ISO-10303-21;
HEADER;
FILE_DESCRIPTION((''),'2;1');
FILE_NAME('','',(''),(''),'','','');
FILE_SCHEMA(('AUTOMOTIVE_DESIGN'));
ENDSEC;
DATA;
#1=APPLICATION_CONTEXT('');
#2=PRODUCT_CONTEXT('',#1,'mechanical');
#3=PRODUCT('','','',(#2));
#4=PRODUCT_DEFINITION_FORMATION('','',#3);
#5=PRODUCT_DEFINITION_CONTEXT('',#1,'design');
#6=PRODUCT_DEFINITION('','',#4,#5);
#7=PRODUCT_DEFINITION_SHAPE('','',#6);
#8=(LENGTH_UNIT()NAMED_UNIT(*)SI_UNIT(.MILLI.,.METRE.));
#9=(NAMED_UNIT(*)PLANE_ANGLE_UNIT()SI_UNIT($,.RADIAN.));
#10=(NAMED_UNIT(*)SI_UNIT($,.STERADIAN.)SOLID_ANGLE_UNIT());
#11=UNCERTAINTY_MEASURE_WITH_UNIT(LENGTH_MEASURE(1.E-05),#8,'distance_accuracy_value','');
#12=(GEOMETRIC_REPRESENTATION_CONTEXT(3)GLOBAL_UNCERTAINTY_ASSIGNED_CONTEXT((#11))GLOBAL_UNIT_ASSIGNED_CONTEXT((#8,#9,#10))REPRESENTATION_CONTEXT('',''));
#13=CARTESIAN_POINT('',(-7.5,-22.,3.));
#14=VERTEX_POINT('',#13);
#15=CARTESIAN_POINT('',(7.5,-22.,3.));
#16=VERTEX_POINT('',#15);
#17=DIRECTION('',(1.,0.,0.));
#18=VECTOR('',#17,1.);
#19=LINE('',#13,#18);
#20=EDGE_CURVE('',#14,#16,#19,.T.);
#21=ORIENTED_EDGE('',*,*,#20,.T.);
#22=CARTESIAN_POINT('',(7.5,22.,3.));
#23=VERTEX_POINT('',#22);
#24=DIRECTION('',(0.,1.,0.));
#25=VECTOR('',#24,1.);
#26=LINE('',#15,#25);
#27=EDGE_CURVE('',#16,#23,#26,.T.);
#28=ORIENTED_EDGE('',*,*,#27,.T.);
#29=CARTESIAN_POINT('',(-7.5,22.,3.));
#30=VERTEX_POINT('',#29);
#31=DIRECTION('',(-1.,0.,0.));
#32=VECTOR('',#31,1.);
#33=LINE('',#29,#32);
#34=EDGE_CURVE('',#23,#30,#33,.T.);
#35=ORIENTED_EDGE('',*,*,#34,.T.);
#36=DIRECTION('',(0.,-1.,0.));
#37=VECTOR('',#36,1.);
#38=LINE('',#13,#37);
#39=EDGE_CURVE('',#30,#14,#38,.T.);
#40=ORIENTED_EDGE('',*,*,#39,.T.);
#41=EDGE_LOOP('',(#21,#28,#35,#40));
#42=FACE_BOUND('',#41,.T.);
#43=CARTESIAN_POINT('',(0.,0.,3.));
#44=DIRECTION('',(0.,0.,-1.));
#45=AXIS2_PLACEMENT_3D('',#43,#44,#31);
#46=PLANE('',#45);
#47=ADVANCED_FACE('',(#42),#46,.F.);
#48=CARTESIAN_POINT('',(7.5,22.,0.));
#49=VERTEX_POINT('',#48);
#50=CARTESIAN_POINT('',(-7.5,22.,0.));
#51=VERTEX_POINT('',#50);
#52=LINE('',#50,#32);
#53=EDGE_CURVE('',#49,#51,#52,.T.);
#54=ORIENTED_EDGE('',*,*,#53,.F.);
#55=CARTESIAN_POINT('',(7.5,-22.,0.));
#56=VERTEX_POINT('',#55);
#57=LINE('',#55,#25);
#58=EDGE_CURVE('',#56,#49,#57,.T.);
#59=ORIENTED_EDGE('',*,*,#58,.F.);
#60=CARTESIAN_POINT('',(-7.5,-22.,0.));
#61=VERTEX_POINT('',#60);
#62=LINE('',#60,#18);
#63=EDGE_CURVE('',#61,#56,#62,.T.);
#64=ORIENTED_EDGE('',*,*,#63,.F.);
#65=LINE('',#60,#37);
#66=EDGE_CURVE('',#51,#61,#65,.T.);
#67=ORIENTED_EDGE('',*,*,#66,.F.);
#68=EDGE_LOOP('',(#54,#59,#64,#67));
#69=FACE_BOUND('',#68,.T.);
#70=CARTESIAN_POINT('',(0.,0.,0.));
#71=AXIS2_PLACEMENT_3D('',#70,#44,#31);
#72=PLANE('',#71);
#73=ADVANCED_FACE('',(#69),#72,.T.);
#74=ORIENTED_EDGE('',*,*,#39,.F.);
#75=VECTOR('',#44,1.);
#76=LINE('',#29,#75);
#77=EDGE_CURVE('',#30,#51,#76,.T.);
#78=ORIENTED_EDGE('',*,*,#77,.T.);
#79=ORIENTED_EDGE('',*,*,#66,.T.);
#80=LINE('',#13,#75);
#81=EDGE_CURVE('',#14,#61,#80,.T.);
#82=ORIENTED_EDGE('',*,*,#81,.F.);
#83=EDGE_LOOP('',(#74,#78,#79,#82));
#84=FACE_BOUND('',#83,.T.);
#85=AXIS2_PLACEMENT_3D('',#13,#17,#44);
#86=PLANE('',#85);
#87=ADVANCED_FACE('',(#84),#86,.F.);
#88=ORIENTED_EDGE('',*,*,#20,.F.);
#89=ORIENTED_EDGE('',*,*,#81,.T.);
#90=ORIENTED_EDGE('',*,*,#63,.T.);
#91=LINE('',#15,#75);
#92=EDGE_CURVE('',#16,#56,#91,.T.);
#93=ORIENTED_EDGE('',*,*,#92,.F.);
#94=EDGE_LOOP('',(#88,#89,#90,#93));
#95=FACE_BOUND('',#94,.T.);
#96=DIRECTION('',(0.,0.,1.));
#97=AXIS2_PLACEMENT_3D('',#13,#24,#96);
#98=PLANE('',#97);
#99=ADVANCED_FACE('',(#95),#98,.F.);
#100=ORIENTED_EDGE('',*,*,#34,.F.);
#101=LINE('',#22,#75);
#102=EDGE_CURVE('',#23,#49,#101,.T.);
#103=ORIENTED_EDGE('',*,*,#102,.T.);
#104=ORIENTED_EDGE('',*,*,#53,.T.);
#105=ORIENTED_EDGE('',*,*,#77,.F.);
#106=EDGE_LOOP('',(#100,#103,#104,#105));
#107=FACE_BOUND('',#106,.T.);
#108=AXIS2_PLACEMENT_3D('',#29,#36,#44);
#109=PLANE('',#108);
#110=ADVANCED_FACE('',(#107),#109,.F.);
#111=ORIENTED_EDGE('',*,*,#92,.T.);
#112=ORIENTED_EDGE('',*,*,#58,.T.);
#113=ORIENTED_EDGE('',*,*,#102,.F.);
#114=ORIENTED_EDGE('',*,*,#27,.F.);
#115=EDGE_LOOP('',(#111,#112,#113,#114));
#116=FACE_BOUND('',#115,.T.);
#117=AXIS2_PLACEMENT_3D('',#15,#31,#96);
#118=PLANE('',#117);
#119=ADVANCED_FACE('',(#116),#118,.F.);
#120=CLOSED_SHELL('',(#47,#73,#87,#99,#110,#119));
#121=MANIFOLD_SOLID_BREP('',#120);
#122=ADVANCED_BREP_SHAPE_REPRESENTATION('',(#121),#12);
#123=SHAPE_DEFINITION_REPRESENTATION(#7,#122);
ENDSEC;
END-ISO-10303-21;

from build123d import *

# Parameters (mm, degrees)
SKETCH1_W           = 15
SKETCH1_H           = 44
BOSS_EXTRUDE1_DEPTH = 3


with BuildPart() as part:
    # Sketch1 → Boss-Extrude1 (new body)
    with BuildSketch(Plane.XY):
        Rectangle(SKETCH1_W, SKETCH1_H)
    extrude(amount=BOSS_EXTRUDE1_DEPTH)


solid = part.part
